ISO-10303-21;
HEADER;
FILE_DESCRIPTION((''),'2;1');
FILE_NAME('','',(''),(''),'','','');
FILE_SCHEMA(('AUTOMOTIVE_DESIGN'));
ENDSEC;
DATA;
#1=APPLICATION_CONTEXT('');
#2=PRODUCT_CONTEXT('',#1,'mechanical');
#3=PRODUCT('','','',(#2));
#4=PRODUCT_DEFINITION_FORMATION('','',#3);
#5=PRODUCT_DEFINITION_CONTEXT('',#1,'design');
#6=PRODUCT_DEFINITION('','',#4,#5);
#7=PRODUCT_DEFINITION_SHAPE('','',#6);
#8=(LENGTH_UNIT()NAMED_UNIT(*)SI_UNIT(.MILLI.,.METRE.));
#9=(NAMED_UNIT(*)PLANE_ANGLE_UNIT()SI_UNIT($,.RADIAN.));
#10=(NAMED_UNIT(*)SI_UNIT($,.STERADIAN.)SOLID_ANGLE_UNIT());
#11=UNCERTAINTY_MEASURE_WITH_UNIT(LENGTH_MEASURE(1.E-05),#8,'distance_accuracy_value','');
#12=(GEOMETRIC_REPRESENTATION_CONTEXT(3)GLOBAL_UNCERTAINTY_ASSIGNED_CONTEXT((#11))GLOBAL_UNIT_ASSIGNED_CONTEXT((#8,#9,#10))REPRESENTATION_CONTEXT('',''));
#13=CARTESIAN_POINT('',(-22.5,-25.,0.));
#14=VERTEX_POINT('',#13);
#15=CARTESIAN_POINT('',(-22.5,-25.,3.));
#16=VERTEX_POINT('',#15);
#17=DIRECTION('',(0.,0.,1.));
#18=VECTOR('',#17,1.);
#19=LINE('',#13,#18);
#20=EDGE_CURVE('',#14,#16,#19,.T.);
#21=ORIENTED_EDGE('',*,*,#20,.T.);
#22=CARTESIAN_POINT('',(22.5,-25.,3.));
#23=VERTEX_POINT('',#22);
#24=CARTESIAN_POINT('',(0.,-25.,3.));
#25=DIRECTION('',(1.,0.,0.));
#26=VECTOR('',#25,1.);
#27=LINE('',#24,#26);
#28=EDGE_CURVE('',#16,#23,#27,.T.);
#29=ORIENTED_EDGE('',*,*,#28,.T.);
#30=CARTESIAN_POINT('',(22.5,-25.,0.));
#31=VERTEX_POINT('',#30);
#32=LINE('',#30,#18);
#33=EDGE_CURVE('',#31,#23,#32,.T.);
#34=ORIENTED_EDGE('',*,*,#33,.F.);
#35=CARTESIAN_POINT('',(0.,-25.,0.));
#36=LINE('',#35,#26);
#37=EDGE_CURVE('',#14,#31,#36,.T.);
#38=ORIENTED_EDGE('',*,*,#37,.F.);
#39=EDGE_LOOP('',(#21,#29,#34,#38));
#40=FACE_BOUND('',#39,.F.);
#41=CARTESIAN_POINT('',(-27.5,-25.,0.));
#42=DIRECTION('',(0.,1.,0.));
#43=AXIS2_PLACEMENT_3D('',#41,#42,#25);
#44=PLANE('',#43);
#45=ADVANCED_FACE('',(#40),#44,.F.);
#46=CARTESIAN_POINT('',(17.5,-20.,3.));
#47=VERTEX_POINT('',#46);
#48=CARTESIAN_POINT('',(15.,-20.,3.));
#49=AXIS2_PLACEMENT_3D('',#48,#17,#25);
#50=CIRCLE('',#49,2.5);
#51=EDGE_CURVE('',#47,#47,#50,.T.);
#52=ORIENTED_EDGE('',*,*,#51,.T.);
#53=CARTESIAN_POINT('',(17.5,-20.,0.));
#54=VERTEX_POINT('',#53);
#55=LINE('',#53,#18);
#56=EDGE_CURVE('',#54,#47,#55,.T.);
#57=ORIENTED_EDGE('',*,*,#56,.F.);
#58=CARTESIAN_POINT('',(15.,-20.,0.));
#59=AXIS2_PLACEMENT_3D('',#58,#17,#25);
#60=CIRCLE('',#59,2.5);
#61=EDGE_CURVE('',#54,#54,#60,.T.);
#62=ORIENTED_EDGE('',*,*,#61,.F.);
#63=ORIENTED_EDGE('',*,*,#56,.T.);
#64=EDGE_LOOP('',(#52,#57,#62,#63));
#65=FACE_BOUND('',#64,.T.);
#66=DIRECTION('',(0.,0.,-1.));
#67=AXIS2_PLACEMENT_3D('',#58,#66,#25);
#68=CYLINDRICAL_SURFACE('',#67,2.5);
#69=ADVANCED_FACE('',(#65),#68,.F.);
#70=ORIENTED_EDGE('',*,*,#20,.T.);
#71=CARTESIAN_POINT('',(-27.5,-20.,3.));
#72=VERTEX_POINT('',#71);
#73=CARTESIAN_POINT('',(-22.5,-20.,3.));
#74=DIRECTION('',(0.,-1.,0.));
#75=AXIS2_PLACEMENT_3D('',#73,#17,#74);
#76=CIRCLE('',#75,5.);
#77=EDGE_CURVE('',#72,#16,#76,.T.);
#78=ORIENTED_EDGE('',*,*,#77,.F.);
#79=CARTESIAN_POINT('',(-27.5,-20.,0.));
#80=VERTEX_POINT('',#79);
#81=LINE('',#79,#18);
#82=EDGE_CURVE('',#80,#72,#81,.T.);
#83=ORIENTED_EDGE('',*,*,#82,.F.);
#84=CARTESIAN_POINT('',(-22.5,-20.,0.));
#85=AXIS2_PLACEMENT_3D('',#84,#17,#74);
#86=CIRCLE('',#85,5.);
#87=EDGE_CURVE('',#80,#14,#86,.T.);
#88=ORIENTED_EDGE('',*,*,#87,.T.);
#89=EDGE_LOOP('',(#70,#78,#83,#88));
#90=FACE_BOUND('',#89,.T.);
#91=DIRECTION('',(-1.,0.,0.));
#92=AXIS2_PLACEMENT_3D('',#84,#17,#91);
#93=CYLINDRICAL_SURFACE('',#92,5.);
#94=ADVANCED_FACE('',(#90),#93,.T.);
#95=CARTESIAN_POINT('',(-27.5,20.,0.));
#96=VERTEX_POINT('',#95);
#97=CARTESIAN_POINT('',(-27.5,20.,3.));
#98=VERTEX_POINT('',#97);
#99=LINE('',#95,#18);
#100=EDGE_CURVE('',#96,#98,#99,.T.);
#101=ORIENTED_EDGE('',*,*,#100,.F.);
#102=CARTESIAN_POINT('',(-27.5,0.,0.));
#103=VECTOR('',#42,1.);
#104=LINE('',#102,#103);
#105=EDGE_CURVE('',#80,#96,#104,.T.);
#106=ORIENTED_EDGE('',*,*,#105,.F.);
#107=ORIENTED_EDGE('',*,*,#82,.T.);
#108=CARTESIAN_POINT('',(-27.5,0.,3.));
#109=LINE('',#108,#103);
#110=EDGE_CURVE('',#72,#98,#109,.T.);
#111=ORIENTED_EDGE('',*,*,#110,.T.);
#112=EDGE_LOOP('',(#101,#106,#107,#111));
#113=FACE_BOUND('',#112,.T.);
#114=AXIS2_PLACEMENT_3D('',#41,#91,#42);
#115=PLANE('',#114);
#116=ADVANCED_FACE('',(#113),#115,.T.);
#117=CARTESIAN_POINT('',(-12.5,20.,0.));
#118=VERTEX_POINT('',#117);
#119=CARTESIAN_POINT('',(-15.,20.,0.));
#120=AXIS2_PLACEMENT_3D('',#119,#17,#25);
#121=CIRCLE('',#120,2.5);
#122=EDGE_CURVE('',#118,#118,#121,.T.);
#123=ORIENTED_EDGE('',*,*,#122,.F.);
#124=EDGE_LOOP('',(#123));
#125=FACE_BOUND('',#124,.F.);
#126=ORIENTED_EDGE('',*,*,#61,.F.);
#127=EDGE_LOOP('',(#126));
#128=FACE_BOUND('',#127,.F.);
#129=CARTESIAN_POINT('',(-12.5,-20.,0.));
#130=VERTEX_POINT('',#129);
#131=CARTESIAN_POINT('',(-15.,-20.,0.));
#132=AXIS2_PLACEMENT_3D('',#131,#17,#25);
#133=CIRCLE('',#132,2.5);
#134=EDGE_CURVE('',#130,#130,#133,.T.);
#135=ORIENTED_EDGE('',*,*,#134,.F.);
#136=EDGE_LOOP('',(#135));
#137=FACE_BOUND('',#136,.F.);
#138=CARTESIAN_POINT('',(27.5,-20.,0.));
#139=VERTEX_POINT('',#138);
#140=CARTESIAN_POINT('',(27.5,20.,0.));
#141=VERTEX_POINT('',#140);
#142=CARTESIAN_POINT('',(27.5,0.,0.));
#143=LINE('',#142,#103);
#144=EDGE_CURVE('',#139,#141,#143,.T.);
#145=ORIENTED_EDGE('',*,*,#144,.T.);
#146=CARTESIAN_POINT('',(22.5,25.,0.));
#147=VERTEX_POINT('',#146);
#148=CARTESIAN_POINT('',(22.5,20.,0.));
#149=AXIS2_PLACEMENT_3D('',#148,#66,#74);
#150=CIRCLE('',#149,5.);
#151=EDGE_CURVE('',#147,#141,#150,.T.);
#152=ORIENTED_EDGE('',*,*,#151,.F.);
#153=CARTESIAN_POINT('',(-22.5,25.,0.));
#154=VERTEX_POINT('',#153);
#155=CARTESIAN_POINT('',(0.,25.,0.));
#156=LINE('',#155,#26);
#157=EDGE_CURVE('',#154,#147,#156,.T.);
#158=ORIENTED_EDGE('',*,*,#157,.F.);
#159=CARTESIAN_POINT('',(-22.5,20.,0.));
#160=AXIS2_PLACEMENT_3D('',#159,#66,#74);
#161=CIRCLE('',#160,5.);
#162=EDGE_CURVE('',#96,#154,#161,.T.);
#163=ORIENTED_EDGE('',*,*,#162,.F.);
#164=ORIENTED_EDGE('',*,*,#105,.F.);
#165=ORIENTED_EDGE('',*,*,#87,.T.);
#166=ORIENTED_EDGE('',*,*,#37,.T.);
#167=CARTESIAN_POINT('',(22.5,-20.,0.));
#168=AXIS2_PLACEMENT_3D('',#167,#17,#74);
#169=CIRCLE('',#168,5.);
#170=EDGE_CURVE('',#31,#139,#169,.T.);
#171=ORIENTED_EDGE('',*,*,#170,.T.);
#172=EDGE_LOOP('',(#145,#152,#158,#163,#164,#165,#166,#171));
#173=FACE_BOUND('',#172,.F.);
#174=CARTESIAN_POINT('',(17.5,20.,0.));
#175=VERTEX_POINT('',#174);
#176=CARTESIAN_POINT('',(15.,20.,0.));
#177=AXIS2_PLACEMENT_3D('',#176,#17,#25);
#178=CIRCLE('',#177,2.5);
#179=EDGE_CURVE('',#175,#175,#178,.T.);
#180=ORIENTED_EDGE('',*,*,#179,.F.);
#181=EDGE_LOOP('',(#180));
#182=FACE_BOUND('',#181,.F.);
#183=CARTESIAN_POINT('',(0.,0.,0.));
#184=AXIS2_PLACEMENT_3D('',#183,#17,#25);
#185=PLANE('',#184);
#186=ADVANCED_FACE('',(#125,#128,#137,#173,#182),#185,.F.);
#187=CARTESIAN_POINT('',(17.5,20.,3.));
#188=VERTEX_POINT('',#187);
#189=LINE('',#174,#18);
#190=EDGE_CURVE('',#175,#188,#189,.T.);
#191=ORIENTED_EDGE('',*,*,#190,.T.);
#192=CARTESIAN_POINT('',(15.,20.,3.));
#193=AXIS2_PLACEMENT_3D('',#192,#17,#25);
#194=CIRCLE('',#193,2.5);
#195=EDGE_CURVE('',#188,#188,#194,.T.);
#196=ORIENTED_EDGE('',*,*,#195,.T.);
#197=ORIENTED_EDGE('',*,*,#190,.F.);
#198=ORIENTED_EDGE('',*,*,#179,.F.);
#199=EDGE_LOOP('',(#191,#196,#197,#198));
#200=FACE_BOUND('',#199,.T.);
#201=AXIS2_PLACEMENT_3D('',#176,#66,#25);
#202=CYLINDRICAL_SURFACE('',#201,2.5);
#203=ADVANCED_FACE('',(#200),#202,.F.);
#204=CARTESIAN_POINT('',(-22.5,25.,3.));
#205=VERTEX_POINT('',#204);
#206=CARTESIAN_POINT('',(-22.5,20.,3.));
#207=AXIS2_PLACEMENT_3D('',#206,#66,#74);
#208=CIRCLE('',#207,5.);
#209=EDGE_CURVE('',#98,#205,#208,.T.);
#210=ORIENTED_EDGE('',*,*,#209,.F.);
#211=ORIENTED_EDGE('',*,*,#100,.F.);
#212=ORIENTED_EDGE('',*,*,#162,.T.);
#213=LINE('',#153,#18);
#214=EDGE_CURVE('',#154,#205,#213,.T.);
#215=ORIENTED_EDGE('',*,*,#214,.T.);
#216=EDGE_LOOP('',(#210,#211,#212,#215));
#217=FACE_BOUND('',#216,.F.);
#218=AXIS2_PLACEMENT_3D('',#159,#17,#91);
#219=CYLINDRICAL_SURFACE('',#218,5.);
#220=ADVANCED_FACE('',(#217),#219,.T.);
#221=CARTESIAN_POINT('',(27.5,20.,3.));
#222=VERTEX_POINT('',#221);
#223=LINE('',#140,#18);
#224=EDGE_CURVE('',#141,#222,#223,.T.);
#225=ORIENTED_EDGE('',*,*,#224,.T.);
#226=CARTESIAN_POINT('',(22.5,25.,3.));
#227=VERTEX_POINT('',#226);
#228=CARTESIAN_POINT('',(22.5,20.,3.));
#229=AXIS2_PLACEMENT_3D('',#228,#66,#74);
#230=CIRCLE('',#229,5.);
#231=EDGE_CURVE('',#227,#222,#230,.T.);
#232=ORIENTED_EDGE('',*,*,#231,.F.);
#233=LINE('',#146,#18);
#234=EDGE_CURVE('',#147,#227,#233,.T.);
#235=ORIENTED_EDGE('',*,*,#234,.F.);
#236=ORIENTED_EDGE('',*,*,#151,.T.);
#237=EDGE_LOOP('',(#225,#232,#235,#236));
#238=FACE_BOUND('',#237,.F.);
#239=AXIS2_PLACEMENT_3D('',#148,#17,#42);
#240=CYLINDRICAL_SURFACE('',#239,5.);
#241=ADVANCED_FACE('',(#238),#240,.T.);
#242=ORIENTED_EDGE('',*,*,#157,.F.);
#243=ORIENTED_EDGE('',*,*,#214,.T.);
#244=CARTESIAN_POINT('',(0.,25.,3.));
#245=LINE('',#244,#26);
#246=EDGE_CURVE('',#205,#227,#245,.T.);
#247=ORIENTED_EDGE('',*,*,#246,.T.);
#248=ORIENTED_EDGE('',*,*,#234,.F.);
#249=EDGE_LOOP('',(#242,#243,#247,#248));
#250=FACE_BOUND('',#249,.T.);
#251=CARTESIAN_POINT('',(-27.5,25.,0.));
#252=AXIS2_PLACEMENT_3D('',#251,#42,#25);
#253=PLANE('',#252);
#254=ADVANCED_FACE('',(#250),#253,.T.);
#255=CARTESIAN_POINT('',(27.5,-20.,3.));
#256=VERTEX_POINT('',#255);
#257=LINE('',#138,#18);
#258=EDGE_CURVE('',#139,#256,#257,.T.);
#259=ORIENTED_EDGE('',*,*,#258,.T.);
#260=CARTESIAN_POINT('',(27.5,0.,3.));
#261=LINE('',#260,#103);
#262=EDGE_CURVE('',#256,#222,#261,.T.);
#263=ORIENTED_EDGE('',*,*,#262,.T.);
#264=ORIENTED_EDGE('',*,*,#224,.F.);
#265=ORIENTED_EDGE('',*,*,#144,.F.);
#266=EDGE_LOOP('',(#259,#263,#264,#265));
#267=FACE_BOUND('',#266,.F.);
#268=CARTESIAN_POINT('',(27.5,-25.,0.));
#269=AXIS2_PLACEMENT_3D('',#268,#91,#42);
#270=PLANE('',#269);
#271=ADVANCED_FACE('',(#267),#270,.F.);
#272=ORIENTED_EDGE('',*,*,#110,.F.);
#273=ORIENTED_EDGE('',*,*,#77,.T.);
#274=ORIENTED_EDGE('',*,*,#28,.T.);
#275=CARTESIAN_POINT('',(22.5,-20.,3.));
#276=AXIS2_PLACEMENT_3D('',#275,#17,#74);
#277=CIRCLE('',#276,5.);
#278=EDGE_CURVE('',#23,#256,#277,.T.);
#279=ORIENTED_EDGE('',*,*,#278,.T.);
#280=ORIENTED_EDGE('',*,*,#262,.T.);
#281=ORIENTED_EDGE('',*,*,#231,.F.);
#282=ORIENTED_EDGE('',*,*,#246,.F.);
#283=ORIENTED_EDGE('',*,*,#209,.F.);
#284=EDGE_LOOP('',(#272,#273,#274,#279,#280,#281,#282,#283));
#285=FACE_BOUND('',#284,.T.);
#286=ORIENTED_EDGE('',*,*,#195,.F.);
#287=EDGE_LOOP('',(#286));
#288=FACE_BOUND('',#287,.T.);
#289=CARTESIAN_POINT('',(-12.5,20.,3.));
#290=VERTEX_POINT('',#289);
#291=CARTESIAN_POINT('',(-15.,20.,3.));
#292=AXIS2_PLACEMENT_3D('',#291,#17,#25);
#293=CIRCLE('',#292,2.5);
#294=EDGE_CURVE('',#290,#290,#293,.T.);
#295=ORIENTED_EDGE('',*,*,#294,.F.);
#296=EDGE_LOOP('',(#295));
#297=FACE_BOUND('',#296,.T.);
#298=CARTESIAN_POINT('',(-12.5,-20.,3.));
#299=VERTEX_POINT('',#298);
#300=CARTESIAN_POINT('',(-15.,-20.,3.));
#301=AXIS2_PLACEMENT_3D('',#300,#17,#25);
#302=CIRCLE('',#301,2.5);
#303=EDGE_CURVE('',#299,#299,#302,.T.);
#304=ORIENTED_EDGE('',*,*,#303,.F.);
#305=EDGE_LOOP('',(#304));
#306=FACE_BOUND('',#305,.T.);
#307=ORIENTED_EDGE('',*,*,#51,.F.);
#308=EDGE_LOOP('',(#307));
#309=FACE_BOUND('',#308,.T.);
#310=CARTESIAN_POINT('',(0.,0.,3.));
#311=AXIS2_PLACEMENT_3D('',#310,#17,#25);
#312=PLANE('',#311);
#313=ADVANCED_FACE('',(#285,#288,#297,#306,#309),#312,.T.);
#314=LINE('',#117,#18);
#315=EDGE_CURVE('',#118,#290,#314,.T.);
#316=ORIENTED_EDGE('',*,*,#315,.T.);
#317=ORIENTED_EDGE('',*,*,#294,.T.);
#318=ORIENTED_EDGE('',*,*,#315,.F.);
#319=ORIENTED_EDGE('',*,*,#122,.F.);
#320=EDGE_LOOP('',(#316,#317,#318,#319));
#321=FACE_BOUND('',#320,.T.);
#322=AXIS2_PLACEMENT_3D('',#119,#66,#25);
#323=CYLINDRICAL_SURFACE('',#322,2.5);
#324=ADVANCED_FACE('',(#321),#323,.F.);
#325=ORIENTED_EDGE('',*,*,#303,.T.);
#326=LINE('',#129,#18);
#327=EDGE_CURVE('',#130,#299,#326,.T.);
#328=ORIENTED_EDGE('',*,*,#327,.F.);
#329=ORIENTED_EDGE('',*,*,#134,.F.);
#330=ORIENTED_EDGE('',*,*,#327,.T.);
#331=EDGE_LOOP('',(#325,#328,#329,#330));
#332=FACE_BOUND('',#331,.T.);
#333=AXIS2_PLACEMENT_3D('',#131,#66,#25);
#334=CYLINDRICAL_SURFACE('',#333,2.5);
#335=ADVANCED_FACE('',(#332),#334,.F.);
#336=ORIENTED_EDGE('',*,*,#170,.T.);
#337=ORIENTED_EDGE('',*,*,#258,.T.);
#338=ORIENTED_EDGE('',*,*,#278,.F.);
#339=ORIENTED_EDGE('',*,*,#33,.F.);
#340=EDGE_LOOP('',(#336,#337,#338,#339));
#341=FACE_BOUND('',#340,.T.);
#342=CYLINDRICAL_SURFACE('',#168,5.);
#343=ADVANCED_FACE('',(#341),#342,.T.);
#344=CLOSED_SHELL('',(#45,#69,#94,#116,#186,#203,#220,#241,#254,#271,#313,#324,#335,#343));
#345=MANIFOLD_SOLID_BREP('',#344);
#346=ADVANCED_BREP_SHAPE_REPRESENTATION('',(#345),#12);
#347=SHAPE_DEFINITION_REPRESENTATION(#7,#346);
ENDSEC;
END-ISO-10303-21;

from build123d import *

# Parameters (mm, degrees)
F0_W     = 55
F0_H     = 50
F0_R     = 2.5
F1_DEPTH = 3
F2_R     = 5


with BuildPart() as f1:
    # F0 (on Top) → F1 (new body)
    with BuildSketch(Plane.XY):
        Rectangle(F0_W, F0_H)
        with Locations((-15, -20)):
            Circle(F0_R, mode=Mode.SUBTRACT)
        with Locations((15, -20)):
            Circle(F0_R, mode=Mode.SUBTRACT)
        with Locations((-15, 20)):
            Circle(F0_R, mode=Mode.SUBTRACT)
        with Locations((15, 20)):
            Circle(F0_R, mode=Mode.SUBTRACT)
    extrude(amount=F1_DEPTH)

    # F2
    f2_edges = [f1.edges().sort_by_distance(p)[0] for p in [
        (-27.5, 25, 1.5),
        (27.5, 25, 1.5),
        (-27.5, -25, 1.5),
        (27.5, -25, 1.5),
    ]]
    fillet(f2_edges, radius=F2_R)


solid = f1.part
